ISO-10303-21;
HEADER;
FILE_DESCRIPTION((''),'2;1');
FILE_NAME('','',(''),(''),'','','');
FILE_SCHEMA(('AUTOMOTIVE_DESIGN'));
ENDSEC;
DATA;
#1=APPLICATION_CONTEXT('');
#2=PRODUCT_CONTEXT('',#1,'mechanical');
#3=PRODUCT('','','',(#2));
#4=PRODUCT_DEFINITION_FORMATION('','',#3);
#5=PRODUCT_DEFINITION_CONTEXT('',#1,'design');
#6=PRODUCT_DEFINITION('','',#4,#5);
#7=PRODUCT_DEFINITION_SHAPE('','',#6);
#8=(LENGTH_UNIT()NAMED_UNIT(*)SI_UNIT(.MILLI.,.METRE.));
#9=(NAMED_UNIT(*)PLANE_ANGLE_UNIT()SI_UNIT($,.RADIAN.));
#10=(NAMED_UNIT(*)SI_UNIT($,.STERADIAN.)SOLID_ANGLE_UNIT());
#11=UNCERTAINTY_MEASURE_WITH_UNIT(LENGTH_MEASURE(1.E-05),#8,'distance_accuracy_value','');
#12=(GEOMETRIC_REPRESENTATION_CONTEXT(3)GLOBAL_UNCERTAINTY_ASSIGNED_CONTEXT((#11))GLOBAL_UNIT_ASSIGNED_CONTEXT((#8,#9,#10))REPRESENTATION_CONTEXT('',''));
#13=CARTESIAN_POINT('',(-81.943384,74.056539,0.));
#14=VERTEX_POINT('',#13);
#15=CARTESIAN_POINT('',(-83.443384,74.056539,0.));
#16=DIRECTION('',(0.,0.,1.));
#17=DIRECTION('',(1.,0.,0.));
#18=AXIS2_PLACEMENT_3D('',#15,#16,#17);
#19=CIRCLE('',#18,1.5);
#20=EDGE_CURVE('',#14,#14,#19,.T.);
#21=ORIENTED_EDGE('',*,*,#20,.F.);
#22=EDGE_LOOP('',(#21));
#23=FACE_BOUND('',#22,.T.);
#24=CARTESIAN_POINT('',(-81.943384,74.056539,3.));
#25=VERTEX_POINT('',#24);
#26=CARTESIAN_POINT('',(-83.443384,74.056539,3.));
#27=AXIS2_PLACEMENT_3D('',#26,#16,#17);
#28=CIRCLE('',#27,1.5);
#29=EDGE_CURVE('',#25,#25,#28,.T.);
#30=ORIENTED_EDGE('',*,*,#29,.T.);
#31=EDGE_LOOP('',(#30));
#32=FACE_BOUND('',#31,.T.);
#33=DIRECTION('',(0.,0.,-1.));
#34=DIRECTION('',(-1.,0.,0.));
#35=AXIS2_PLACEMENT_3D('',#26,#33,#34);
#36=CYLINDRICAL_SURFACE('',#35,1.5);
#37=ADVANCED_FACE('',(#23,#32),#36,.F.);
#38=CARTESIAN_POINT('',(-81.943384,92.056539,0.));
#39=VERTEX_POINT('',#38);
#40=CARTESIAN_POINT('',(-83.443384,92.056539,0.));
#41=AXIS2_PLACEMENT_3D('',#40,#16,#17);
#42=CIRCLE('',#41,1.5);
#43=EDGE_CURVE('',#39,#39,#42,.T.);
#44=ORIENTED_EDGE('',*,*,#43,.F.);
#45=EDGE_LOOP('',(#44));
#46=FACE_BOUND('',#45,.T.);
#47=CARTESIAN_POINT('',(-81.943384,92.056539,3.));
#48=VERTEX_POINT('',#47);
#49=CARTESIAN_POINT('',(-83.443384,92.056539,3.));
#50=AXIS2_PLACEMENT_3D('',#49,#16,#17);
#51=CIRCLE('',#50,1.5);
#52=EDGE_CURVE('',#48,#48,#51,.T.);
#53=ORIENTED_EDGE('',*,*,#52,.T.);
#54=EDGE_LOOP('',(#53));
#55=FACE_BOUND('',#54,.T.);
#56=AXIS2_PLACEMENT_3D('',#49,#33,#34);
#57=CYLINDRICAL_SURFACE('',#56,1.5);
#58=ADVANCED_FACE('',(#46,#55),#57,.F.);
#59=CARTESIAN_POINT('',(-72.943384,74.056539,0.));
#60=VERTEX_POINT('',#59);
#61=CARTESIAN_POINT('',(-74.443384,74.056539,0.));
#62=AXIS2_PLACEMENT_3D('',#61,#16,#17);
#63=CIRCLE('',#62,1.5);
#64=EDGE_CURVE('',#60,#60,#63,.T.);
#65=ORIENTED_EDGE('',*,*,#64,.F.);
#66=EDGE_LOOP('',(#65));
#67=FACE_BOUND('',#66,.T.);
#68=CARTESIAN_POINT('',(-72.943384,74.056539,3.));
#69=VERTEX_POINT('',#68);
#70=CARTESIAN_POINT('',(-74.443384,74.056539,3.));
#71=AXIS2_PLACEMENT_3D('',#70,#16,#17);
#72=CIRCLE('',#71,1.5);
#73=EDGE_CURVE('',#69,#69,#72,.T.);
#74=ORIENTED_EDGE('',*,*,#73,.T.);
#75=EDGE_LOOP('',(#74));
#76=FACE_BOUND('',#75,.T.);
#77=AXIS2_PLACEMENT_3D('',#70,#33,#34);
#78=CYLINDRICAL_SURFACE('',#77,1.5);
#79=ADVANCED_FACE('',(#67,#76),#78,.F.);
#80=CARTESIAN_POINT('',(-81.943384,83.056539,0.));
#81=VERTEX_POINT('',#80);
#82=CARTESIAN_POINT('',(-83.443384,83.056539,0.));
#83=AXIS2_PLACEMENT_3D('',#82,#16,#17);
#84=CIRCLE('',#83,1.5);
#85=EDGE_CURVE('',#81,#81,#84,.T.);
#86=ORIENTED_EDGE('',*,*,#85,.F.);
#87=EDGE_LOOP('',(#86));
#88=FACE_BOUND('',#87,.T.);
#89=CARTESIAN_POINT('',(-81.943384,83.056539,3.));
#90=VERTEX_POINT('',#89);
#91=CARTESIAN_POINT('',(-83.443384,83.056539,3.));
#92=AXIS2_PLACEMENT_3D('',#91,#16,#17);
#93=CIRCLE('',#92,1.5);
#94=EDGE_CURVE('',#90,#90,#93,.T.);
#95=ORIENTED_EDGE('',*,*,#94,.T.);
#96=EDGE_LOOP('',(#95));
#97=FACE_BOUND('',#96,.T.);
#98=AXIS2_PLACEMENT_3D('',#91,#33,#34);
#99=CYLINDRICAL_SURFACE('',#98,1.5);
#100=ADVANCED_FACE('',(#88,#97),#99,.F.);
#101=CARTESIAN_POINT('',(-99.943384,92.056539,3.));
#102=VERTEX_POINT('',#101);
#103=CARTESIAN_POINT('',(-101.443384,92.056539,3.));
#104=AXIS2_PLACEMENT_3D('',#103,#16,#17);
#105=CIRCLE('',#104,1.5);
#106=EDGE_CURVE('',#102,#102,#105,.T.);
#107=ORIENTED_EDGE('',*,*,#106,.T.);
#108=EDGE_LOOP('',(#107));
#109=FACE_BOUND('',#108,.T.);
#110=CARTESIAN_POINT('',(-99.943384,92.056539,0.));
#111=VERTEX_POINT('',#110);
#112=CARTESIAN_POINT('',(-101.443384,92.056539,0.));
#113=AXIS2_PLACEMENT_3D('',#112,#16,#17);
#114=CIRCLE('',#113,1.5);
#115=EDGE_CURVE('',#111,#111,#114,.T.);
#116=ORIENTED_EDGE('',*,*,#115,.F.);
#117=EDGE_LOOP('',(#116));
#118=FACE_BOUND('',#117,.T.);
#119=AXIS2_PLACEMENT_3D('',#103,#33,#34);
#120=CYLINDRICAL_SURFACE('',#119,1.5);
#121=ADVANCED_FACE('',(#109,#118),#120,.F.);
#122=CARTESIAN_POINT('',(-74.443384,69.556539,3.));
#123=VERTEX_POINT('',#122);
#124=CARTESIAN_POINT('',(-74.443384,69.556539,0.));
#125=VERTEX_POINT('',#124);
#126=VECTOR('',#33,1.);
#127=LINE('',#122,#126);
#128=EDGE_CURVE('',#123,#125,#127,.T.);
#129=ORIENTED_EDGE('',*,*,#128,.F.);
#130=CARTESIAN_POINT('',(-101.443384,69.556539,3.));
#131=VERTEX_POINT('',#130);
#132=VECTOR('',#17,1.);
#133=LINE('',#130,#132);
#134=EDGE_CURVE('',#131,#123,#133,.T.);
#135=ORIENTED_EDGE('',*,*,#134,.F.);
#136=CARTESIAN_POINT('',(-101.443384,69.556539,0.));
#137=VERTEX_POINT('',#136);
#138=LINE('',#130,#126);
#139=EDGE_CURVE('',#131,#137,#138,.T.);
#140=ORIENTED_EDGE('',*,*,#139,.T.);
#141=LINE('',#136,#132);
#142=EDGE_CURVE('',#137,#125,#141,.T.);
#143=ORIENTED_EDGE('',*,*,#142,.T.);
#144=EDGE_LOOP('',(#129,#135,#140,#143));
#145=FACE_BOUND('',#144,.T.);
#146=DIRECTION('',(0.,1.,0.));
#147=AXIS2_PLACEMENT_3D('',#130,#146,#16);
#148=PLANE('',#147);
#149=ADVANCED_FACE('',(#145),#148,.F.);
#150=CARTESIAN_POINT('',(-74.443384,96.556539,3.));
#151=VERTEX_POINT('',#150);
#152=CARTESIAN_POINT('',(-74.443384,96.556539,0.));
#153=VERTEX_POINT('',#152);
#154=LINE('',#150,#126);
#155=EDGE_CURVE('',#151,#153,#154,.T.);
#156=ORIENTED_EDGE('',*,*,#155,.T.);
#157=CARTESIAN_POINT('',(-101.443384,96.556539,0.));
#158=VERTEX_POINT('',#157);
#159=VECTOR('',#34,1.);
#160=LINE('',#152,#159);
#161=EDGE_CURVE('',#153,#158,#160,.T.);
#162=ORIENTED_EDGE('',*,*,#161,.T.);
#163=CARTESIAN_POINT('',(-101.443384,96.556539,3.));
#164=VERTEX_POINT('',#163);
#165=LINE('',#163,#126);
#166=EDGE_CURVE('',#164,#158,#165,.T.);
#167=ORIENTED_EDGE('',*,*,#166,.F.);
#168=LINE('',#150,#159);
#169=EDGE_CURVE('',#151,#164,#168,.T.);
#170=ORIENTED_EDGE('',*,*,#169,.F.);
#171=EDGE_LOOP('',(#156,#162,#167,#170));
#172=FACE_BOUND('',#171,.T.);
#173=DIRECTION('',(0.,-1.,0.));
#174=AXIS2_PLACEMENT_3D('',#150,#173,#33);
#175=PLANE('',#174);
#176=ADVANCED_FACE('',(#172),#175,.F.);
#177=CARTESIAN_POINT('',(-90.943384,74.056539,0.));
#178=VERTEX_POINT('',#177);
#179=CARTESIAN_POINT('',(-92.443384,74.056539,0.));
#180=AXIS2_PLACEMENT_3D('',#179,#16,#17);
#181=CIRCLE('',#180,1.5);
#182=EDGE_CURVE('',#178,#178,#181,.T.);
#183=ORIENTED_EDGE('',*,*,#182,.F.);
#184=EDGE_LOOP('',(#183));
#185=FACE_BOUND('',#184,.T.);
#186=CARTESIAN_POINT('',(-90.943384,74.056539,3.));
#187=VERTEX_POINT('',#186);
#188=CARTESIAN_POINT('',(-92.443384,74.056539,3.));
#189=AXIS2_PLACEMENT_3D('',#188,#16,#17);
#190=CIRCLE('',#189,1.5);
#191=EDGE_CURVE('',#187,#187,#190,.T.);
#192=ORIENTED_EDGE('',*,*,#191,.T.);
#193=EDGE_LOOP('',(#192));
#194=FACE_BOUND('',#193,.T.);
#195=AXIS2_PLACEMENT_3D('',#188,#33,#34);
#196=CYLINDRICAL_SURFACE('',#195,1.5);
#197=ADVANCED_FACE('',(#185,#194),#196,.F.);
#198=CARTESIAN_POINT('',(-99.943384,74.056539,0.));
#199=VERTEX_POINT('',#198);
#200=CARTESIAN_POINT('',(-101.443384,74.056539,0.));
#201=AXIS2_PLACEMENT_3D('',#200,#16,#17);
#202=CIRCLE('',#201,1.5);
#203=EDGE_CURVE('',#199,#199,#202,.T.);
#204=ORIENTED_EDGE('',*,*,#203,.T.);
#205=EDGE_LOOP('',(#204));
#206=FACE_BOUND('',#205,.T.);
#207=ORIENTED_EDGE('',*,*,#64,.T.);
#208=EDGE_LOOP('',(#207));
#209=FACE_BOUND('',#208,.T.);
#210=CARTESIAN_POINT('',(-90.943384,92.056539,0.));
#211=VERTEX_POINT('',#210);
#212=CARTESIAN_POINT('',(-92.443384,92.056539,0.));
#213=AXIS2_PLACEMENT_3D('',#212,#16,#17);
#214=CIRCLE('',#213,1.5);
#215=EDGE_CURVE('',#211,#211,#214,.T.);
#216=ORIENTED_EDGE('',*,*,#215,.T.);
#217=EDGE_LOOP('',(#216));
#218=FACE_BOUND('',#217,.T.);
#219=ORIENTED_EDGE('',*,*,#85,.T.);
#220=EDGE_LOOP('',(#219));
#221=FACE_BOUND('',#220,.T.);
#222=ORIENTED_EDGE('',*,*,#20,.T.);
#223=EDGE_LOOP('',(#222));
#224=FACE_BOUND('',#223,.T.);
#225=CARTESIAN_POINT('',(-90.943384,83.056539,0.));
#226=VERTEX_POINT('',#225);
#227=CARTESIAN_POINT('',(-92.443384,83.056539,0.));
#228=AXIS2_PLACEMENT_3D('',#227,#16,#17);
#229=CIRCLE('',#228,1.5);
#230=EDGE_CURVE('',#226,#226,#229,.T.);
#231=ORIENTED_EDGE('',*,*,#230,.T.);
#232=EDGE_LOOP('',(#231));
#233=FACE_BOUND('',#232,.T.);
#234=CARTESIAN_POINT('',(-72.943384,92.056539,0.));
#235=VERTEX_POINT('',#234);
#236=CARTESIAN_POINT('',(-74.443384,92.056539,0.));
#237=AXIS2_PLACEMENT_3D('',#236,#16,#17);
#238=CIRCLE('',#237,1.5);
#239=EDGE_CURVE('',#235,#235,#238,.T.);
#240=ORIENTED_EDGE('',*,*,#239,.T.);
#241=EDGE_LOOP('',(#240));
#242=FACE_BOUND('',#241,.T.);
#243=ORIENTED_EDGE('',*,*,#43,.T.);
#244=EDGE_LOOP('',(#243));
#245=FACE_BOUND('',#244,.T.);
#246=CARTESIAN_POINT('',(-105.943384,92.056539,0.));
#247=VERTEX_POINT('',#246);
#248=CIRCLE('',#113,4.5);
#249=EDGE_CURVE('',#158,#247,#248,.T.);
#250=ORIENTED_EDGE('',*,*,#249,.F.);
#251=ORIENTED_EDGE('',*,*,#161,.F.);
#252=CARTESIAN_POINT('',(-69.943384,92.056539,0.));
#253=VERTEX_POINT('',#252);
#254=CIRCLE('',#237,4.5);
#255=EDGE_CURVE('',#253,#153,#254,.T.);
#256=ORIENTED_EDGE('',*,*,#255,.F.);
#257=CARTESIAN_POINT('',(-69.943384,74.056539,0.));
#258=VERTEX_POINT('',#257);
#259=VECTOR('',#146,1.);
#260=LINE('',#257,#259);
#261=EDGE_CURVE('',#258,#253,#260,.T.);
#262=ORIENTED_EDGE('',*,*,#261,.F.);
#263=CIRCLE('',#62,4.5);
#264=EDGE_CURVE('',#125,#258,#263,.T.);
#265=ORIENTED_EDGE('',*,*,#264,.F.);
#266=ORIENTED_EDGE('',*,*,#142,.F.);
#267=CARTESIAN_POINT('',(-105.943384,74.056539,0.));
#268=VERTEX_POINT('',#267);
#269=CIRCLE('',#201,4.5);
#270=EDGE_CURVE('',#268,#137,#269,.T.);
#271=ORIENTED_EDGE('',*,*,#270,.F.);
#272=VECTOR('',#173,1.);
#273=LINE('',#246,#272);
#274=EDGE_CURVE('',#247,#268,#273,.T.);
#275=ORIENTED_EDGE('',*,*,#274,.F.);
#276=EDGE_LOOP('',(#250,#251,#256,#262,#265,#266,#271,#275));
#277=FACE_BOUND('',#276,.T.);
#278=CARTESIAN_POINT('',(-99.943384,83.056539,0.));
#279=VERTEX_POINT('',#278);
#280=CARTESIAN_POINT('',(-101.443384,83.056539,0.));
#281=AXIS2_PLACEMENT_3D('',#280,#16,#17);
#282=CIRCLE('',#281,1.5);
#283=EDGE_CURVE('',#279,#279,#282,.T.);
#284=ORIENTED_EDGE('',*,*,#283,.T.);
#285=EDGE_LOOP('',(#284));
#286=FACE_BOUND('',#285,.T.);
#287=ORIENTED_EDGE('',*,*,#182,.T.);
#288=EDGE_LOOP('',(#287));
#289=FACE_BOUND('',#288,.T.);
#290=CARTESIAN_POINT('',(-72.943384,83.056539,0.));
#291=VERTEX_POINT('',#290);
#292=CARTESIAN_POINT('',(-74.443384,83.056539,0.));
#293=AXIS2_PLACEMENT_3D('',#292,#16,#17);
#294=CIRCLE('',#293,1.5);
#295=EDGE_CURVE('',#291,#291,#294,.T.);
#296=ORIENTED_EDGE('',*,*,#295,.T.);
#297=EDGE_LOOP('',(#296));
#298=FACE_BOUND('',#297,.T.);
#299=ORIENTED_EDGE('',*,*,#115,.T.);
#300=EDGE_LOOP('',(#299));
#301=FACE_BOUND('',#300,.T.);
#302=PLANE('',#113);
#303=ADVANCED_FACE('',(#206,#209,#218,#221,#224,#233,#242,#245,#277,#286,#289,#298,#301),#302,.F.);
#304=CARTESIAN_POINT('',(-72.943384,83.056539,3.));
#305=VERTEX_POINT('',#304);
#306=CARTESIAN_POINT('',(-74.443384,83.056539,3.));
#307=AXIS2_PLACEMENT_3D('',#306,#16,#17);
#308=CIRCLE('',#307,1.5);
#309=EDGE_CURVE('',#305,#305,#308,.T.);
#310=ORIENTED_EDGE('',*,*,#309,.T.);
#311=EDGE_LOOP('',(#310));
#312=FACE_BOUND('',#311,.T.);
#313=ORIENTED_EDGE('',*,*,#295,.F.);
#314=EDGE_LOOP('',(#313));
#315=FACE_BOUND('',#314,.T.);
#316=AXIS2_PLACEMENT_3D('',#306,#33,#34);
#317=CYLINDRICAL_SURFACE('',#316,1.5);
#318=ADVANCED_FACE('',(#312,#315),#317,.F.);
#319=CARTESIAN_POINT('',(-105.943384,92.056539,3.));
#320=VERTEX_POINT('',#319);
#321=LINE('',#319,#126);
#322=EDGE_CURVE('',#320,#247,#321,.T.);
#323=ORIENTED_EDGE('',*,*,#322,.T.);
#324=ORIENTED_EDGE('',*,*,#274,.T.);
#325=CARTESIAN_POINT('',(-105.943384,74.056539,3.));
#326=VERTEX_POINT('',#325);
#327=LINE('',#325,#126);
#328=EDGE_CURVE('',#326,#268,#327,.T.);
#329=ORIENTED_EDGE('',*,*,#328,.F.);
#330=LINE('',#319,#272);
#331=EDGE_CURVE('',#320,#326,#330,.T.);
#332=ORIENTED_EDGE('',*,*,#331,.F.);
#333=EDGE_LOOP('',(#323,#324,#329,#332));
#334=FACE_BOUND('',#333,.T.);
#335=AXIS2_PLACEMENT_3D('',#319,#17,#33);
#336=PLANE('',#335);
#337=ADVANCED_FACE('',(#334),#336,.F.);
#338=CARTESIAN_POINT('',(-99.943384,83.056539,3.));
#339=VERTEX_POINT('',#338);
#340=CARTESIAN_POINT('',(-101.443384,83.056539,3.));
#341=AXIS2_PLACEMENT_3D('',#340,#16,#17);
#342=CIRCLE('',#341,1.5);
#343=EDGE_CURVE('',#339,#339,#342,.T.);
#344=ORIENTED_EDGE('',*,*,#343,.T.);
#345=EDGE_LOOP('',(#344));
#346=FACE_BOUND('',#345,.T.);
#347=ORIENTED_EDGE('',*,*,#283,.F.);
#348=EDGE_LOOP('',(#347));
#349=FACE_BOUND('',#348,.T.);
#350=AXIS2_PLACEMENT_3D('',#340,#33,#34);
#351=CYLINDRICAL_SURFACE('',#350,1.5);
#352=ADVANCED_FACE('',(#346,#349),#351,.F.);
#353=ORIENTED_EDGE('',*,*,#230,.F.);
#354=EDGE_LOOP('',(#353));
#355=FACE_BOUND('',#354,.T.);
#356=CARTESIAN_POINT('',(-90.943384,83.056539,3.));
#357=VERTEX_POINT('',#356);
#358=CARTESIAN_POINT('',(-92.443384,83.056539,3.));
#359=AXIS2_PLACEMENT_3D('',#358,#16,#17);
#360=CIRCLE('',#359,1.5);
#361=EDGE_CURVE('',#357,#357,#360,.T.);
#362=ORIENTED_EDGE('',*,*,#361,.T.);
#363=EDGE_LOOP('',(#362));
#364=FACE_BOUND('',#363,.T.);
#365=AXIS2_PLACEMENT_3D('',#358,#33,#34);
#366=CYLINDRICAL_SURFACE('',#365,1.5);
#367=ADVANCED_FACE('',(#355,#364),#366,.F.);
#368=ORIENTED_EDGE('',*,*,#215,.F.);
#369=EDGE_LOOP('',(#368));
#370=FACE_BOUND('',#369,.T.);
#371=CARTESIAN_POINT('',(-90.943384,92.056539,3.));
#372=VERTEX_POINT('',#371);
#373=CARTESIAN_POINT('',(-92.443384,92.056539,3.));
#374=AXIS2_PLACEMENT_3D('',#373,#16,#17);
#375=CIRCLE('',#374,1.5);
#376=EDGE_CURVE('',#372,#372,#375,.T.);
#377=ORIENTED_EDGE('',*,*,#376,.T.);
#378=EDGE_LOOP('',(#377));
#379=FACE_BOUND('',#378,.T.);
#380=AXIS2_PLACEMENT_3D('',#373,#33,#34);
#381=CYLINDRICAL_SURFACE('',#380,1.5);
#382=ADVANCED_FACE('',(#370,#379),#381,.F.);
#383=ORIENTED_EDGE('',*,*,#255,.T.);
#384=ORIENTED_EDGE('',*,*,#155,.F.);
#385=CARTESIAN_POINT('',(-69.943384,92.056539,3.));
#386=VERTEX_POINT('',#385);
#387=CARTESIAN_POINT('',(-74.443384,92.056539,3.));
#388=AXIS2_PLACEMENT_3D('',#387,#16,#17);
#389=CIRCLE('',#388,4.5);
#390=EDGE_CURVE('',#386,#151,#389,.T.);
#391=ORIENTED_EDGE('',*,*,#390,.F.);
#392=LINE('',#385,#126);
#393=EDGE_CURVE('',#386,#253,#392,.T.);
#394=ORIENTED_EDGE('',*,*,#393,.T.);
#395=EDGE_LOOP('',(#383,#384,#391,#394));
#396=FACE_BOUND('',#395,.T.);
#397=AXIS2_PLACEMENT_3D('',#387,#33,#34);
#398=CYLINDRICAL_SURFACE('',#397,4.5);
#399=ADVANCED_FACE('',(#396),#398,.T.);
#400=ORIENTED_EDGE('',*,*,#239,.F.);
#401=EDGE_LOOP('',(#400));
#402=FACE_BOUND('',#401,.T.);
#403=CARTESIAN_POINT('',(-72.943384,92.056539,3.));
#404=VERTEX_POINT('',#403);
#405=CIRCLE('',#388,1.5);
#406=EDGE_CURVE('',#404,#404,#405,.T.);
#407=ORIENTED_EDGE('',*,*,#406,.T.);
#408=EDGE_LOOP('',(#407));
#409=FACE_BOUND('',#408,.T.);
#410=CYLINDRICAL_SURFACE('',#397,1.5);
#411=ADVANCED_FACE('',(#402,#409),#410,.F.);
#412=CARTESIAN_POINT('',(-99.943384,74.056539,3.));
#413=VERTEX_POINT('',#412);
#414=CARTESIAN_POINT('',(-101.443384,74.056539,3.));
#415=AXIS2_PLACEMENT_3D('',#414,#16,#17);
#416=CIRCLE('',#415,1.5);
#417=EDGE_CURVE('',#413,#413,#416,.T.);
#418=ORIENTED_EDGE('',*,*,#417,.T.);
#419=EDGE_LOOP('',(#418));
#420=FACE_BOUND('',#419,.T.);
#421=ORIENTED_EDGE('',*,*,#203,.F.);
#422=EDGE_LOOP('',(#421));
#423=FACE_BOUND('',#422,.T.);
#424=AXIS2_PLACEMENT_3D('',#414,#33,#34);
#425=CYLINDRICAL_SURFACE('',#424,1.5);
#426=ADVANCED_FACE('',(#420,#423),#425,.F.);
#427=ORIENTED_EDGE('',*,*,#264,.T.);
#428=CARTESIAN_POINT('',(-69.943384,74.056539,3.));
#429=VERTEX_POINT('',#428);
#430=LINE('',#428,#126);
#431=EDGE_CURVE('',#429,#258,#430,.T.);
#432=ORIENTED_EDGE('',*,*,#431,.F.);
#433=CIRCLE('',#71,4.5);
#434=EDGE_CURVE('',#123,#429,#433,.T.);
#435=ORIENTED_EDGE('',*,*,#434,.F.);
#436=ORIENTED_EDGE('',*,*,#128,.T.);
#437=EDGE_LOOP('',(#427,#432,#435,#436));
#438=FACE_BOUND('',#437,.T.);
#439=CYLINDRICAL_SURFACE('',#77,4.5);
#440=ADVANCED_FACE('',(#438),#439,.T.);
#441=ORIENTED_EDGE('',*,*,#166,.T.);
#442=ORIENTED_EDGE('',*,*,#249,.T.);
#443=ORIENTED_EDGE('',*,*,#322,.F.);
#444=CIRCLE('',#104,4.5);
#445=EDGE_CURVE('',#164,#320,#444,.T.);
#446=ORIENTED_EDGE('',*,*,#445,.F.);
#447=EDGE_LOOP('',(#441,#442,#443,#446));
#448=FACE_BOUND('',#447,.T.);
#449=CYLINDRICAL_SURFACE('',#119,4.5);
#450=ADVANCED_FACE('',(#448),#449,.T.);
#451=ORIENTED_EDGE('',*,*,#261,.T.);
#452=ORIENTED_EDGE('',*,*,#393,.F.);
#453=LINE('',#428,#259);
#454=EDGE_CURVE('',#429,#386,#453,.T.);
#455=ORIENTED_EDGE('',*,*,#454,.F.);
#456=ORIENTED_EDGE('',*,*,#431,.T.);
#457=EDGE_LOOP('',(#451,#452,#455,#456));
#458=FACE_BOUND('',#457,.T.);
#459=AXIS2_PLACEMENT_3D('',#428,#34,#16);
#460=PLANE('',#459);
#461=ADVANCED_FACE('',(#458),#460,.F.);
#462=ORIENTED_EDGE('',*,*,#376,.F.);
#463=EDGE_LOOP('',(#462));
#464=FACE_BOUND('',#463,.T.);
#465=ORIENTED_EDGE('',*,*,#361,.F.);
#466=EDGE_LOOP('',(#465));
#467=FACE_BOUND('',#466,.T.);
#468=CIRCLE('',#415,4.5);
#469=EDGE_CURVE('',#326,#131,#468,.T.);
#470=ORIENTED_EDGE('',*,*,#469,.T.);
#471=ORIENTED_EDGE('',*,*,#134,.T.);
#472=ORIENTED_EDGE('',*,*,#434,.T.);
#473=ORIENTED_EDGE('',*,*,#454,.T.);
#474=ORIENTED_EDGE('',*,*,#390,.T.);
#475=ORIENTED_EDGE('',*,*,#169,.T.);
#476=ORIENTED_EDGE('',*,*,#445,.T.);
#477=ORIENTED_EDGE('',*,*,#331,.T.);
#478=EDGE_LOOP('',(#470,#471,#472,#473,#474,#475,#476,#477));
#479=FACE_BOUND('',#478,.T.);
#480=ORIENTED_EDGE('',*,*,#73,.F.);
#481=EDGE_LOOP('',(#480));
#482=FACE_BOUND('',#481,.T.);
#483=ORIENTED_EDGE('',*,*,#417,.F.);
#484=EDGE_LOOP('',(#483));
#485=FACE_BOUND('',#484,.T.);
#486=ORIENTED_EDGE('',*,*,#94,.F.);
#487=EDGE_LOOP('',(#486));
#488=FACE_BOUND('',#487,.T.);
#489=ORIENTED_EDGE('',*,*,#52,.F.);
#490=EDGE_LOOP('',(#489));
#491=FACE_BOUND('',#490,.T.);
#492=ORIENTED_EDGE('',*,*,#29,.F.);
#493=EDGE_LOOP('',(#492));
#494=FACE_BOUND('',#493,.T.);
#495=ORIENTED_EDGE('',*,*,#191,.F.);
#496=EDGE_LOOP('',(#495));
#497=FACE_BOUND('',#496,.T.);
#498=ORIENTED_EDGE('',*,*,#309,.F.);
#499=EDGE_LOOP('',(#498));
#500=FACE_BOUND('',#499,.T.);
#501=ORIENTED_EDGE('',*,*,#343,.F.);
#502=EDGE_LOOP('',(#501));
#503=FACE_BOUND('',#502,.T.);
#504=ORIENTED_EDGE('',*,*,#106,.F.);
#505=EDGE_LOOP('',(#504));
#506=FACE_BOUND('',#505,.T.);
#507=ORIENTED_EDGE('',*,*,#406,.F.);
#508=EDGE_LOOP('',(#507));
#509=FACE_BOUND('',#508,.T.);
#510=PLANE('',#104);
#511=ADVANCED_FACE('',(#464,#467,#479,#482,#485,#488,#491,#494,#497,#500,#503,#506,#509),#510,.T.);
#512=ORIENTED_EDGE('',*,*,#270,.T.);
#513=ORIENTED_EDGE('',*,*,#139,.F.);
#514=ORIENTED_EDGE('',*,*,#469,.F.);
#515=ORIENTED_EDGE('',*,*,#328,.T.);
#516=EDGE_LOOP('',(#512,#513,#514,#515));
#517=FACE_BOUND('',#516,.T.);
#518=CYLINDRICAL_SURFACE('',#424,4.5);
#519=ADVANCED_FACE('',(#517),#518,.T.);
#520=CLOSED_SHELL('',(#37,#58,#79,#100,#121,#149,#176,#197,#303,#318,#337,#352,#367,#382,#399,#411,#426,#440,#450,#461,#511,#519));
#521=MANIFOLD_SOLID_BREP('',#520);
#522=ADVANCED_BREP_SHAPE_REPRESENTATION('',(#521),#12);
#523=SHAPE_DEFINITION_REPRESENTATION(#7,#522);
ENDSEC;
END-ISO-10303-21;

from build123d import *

# Parameters (mm, degrees)
MODEL_R                 = 1.5
SALIENTE_EXTRUIR1_DEPTH = 3


with BuildPart() as part:
    # Model → Saliente-Extruir1 (new body)
    with BuildSketch(Plane.XY):
        with BuildLine():
            Line((-105.943383637, 92.056539338), (-105.943383637, 74.056539338))
            ThreePointArc((-105.943383637, 74.056539338), (-104.625364152, 70.874558823), (-101.443383637, 69.556539338))
            Line((-101.443383637, 69.556539338), (-74.443383637, 69.556539338))
            ThreePointArc((-74.443383637, 69.556539338), (-71.261403122, 70.874558823), (-69.943383637, 74.056539338))
            Line((-69.943383637, 74.056539338), (-69.943383637, 92.056539338))
            ThreePointArc((-69.943383637, 92.056539338), (-71.261403122, 95.238519853), (-74.443383637, 96.556539338))
            Line((-74.443383637, 96.556539338), (-101.443383637, 96.556539338))
            ThreePointArc((-101.443383637, 96.556539338), (-104.625364152, 95.238519853), (-105.943383637, 92.056539338))
        make_face()
        with Locations((-101.443383637, 92.056539338)):
            Circle(MODEL_R, mode=Mode.SUBTRACT)
        with Locations((-92.443383637, 92.056539338)):
            Circle(MODEL_R, mode=Mode.SUBTRACT)
        with Locations((-83.443383637, 92.056539338)):
            Circle(MODEL_R, mode=Mode.SUBTRACT)
        with Locations((-74.443383637, 92.056539338)):
            Circle(MODEL_R, mode=Mode.SUBTRACT)
        with Locations((-101.443383637, 83.056539338)):
            Circle(MODEL_R, mode=Mode.SUBTRACT)
        with Locations((-92.443383637, 83.056539338)):
            Circle(MODEL_R, mode=Mode.SUBTRACT)
        with Locations((-83.443383637, 83.056539338)):
            Circle(MODEL_R, mode=Mode.SUBTRACT)
        with Locations((-74.443383637, 83.056539338)):
            Circle(MODEL_R, mode=Mode.SUBTRACT)
        with Locations((-101.443383637, 74.056539338)):
            Circle(MODEL_R, mode=Mode.SUBTRACT)
        with Locations((-92.443383637, 74.056539338)):
            Circle(MODEL_R, mode=Mode.SUBTRACT)
        with Locations((-83.443383637, 74.056539338)):
            Circle(MODEL_R, mode=Mode.SUBTRACT)
        with Locations((-74.443383637, 74.056539338)):
            Circle(MODEL_R, mode=Mode.SUBTRACT)
    extrude(amount=SALIENTE_EXTRUIR1_DEPTH)


solid = part.part
